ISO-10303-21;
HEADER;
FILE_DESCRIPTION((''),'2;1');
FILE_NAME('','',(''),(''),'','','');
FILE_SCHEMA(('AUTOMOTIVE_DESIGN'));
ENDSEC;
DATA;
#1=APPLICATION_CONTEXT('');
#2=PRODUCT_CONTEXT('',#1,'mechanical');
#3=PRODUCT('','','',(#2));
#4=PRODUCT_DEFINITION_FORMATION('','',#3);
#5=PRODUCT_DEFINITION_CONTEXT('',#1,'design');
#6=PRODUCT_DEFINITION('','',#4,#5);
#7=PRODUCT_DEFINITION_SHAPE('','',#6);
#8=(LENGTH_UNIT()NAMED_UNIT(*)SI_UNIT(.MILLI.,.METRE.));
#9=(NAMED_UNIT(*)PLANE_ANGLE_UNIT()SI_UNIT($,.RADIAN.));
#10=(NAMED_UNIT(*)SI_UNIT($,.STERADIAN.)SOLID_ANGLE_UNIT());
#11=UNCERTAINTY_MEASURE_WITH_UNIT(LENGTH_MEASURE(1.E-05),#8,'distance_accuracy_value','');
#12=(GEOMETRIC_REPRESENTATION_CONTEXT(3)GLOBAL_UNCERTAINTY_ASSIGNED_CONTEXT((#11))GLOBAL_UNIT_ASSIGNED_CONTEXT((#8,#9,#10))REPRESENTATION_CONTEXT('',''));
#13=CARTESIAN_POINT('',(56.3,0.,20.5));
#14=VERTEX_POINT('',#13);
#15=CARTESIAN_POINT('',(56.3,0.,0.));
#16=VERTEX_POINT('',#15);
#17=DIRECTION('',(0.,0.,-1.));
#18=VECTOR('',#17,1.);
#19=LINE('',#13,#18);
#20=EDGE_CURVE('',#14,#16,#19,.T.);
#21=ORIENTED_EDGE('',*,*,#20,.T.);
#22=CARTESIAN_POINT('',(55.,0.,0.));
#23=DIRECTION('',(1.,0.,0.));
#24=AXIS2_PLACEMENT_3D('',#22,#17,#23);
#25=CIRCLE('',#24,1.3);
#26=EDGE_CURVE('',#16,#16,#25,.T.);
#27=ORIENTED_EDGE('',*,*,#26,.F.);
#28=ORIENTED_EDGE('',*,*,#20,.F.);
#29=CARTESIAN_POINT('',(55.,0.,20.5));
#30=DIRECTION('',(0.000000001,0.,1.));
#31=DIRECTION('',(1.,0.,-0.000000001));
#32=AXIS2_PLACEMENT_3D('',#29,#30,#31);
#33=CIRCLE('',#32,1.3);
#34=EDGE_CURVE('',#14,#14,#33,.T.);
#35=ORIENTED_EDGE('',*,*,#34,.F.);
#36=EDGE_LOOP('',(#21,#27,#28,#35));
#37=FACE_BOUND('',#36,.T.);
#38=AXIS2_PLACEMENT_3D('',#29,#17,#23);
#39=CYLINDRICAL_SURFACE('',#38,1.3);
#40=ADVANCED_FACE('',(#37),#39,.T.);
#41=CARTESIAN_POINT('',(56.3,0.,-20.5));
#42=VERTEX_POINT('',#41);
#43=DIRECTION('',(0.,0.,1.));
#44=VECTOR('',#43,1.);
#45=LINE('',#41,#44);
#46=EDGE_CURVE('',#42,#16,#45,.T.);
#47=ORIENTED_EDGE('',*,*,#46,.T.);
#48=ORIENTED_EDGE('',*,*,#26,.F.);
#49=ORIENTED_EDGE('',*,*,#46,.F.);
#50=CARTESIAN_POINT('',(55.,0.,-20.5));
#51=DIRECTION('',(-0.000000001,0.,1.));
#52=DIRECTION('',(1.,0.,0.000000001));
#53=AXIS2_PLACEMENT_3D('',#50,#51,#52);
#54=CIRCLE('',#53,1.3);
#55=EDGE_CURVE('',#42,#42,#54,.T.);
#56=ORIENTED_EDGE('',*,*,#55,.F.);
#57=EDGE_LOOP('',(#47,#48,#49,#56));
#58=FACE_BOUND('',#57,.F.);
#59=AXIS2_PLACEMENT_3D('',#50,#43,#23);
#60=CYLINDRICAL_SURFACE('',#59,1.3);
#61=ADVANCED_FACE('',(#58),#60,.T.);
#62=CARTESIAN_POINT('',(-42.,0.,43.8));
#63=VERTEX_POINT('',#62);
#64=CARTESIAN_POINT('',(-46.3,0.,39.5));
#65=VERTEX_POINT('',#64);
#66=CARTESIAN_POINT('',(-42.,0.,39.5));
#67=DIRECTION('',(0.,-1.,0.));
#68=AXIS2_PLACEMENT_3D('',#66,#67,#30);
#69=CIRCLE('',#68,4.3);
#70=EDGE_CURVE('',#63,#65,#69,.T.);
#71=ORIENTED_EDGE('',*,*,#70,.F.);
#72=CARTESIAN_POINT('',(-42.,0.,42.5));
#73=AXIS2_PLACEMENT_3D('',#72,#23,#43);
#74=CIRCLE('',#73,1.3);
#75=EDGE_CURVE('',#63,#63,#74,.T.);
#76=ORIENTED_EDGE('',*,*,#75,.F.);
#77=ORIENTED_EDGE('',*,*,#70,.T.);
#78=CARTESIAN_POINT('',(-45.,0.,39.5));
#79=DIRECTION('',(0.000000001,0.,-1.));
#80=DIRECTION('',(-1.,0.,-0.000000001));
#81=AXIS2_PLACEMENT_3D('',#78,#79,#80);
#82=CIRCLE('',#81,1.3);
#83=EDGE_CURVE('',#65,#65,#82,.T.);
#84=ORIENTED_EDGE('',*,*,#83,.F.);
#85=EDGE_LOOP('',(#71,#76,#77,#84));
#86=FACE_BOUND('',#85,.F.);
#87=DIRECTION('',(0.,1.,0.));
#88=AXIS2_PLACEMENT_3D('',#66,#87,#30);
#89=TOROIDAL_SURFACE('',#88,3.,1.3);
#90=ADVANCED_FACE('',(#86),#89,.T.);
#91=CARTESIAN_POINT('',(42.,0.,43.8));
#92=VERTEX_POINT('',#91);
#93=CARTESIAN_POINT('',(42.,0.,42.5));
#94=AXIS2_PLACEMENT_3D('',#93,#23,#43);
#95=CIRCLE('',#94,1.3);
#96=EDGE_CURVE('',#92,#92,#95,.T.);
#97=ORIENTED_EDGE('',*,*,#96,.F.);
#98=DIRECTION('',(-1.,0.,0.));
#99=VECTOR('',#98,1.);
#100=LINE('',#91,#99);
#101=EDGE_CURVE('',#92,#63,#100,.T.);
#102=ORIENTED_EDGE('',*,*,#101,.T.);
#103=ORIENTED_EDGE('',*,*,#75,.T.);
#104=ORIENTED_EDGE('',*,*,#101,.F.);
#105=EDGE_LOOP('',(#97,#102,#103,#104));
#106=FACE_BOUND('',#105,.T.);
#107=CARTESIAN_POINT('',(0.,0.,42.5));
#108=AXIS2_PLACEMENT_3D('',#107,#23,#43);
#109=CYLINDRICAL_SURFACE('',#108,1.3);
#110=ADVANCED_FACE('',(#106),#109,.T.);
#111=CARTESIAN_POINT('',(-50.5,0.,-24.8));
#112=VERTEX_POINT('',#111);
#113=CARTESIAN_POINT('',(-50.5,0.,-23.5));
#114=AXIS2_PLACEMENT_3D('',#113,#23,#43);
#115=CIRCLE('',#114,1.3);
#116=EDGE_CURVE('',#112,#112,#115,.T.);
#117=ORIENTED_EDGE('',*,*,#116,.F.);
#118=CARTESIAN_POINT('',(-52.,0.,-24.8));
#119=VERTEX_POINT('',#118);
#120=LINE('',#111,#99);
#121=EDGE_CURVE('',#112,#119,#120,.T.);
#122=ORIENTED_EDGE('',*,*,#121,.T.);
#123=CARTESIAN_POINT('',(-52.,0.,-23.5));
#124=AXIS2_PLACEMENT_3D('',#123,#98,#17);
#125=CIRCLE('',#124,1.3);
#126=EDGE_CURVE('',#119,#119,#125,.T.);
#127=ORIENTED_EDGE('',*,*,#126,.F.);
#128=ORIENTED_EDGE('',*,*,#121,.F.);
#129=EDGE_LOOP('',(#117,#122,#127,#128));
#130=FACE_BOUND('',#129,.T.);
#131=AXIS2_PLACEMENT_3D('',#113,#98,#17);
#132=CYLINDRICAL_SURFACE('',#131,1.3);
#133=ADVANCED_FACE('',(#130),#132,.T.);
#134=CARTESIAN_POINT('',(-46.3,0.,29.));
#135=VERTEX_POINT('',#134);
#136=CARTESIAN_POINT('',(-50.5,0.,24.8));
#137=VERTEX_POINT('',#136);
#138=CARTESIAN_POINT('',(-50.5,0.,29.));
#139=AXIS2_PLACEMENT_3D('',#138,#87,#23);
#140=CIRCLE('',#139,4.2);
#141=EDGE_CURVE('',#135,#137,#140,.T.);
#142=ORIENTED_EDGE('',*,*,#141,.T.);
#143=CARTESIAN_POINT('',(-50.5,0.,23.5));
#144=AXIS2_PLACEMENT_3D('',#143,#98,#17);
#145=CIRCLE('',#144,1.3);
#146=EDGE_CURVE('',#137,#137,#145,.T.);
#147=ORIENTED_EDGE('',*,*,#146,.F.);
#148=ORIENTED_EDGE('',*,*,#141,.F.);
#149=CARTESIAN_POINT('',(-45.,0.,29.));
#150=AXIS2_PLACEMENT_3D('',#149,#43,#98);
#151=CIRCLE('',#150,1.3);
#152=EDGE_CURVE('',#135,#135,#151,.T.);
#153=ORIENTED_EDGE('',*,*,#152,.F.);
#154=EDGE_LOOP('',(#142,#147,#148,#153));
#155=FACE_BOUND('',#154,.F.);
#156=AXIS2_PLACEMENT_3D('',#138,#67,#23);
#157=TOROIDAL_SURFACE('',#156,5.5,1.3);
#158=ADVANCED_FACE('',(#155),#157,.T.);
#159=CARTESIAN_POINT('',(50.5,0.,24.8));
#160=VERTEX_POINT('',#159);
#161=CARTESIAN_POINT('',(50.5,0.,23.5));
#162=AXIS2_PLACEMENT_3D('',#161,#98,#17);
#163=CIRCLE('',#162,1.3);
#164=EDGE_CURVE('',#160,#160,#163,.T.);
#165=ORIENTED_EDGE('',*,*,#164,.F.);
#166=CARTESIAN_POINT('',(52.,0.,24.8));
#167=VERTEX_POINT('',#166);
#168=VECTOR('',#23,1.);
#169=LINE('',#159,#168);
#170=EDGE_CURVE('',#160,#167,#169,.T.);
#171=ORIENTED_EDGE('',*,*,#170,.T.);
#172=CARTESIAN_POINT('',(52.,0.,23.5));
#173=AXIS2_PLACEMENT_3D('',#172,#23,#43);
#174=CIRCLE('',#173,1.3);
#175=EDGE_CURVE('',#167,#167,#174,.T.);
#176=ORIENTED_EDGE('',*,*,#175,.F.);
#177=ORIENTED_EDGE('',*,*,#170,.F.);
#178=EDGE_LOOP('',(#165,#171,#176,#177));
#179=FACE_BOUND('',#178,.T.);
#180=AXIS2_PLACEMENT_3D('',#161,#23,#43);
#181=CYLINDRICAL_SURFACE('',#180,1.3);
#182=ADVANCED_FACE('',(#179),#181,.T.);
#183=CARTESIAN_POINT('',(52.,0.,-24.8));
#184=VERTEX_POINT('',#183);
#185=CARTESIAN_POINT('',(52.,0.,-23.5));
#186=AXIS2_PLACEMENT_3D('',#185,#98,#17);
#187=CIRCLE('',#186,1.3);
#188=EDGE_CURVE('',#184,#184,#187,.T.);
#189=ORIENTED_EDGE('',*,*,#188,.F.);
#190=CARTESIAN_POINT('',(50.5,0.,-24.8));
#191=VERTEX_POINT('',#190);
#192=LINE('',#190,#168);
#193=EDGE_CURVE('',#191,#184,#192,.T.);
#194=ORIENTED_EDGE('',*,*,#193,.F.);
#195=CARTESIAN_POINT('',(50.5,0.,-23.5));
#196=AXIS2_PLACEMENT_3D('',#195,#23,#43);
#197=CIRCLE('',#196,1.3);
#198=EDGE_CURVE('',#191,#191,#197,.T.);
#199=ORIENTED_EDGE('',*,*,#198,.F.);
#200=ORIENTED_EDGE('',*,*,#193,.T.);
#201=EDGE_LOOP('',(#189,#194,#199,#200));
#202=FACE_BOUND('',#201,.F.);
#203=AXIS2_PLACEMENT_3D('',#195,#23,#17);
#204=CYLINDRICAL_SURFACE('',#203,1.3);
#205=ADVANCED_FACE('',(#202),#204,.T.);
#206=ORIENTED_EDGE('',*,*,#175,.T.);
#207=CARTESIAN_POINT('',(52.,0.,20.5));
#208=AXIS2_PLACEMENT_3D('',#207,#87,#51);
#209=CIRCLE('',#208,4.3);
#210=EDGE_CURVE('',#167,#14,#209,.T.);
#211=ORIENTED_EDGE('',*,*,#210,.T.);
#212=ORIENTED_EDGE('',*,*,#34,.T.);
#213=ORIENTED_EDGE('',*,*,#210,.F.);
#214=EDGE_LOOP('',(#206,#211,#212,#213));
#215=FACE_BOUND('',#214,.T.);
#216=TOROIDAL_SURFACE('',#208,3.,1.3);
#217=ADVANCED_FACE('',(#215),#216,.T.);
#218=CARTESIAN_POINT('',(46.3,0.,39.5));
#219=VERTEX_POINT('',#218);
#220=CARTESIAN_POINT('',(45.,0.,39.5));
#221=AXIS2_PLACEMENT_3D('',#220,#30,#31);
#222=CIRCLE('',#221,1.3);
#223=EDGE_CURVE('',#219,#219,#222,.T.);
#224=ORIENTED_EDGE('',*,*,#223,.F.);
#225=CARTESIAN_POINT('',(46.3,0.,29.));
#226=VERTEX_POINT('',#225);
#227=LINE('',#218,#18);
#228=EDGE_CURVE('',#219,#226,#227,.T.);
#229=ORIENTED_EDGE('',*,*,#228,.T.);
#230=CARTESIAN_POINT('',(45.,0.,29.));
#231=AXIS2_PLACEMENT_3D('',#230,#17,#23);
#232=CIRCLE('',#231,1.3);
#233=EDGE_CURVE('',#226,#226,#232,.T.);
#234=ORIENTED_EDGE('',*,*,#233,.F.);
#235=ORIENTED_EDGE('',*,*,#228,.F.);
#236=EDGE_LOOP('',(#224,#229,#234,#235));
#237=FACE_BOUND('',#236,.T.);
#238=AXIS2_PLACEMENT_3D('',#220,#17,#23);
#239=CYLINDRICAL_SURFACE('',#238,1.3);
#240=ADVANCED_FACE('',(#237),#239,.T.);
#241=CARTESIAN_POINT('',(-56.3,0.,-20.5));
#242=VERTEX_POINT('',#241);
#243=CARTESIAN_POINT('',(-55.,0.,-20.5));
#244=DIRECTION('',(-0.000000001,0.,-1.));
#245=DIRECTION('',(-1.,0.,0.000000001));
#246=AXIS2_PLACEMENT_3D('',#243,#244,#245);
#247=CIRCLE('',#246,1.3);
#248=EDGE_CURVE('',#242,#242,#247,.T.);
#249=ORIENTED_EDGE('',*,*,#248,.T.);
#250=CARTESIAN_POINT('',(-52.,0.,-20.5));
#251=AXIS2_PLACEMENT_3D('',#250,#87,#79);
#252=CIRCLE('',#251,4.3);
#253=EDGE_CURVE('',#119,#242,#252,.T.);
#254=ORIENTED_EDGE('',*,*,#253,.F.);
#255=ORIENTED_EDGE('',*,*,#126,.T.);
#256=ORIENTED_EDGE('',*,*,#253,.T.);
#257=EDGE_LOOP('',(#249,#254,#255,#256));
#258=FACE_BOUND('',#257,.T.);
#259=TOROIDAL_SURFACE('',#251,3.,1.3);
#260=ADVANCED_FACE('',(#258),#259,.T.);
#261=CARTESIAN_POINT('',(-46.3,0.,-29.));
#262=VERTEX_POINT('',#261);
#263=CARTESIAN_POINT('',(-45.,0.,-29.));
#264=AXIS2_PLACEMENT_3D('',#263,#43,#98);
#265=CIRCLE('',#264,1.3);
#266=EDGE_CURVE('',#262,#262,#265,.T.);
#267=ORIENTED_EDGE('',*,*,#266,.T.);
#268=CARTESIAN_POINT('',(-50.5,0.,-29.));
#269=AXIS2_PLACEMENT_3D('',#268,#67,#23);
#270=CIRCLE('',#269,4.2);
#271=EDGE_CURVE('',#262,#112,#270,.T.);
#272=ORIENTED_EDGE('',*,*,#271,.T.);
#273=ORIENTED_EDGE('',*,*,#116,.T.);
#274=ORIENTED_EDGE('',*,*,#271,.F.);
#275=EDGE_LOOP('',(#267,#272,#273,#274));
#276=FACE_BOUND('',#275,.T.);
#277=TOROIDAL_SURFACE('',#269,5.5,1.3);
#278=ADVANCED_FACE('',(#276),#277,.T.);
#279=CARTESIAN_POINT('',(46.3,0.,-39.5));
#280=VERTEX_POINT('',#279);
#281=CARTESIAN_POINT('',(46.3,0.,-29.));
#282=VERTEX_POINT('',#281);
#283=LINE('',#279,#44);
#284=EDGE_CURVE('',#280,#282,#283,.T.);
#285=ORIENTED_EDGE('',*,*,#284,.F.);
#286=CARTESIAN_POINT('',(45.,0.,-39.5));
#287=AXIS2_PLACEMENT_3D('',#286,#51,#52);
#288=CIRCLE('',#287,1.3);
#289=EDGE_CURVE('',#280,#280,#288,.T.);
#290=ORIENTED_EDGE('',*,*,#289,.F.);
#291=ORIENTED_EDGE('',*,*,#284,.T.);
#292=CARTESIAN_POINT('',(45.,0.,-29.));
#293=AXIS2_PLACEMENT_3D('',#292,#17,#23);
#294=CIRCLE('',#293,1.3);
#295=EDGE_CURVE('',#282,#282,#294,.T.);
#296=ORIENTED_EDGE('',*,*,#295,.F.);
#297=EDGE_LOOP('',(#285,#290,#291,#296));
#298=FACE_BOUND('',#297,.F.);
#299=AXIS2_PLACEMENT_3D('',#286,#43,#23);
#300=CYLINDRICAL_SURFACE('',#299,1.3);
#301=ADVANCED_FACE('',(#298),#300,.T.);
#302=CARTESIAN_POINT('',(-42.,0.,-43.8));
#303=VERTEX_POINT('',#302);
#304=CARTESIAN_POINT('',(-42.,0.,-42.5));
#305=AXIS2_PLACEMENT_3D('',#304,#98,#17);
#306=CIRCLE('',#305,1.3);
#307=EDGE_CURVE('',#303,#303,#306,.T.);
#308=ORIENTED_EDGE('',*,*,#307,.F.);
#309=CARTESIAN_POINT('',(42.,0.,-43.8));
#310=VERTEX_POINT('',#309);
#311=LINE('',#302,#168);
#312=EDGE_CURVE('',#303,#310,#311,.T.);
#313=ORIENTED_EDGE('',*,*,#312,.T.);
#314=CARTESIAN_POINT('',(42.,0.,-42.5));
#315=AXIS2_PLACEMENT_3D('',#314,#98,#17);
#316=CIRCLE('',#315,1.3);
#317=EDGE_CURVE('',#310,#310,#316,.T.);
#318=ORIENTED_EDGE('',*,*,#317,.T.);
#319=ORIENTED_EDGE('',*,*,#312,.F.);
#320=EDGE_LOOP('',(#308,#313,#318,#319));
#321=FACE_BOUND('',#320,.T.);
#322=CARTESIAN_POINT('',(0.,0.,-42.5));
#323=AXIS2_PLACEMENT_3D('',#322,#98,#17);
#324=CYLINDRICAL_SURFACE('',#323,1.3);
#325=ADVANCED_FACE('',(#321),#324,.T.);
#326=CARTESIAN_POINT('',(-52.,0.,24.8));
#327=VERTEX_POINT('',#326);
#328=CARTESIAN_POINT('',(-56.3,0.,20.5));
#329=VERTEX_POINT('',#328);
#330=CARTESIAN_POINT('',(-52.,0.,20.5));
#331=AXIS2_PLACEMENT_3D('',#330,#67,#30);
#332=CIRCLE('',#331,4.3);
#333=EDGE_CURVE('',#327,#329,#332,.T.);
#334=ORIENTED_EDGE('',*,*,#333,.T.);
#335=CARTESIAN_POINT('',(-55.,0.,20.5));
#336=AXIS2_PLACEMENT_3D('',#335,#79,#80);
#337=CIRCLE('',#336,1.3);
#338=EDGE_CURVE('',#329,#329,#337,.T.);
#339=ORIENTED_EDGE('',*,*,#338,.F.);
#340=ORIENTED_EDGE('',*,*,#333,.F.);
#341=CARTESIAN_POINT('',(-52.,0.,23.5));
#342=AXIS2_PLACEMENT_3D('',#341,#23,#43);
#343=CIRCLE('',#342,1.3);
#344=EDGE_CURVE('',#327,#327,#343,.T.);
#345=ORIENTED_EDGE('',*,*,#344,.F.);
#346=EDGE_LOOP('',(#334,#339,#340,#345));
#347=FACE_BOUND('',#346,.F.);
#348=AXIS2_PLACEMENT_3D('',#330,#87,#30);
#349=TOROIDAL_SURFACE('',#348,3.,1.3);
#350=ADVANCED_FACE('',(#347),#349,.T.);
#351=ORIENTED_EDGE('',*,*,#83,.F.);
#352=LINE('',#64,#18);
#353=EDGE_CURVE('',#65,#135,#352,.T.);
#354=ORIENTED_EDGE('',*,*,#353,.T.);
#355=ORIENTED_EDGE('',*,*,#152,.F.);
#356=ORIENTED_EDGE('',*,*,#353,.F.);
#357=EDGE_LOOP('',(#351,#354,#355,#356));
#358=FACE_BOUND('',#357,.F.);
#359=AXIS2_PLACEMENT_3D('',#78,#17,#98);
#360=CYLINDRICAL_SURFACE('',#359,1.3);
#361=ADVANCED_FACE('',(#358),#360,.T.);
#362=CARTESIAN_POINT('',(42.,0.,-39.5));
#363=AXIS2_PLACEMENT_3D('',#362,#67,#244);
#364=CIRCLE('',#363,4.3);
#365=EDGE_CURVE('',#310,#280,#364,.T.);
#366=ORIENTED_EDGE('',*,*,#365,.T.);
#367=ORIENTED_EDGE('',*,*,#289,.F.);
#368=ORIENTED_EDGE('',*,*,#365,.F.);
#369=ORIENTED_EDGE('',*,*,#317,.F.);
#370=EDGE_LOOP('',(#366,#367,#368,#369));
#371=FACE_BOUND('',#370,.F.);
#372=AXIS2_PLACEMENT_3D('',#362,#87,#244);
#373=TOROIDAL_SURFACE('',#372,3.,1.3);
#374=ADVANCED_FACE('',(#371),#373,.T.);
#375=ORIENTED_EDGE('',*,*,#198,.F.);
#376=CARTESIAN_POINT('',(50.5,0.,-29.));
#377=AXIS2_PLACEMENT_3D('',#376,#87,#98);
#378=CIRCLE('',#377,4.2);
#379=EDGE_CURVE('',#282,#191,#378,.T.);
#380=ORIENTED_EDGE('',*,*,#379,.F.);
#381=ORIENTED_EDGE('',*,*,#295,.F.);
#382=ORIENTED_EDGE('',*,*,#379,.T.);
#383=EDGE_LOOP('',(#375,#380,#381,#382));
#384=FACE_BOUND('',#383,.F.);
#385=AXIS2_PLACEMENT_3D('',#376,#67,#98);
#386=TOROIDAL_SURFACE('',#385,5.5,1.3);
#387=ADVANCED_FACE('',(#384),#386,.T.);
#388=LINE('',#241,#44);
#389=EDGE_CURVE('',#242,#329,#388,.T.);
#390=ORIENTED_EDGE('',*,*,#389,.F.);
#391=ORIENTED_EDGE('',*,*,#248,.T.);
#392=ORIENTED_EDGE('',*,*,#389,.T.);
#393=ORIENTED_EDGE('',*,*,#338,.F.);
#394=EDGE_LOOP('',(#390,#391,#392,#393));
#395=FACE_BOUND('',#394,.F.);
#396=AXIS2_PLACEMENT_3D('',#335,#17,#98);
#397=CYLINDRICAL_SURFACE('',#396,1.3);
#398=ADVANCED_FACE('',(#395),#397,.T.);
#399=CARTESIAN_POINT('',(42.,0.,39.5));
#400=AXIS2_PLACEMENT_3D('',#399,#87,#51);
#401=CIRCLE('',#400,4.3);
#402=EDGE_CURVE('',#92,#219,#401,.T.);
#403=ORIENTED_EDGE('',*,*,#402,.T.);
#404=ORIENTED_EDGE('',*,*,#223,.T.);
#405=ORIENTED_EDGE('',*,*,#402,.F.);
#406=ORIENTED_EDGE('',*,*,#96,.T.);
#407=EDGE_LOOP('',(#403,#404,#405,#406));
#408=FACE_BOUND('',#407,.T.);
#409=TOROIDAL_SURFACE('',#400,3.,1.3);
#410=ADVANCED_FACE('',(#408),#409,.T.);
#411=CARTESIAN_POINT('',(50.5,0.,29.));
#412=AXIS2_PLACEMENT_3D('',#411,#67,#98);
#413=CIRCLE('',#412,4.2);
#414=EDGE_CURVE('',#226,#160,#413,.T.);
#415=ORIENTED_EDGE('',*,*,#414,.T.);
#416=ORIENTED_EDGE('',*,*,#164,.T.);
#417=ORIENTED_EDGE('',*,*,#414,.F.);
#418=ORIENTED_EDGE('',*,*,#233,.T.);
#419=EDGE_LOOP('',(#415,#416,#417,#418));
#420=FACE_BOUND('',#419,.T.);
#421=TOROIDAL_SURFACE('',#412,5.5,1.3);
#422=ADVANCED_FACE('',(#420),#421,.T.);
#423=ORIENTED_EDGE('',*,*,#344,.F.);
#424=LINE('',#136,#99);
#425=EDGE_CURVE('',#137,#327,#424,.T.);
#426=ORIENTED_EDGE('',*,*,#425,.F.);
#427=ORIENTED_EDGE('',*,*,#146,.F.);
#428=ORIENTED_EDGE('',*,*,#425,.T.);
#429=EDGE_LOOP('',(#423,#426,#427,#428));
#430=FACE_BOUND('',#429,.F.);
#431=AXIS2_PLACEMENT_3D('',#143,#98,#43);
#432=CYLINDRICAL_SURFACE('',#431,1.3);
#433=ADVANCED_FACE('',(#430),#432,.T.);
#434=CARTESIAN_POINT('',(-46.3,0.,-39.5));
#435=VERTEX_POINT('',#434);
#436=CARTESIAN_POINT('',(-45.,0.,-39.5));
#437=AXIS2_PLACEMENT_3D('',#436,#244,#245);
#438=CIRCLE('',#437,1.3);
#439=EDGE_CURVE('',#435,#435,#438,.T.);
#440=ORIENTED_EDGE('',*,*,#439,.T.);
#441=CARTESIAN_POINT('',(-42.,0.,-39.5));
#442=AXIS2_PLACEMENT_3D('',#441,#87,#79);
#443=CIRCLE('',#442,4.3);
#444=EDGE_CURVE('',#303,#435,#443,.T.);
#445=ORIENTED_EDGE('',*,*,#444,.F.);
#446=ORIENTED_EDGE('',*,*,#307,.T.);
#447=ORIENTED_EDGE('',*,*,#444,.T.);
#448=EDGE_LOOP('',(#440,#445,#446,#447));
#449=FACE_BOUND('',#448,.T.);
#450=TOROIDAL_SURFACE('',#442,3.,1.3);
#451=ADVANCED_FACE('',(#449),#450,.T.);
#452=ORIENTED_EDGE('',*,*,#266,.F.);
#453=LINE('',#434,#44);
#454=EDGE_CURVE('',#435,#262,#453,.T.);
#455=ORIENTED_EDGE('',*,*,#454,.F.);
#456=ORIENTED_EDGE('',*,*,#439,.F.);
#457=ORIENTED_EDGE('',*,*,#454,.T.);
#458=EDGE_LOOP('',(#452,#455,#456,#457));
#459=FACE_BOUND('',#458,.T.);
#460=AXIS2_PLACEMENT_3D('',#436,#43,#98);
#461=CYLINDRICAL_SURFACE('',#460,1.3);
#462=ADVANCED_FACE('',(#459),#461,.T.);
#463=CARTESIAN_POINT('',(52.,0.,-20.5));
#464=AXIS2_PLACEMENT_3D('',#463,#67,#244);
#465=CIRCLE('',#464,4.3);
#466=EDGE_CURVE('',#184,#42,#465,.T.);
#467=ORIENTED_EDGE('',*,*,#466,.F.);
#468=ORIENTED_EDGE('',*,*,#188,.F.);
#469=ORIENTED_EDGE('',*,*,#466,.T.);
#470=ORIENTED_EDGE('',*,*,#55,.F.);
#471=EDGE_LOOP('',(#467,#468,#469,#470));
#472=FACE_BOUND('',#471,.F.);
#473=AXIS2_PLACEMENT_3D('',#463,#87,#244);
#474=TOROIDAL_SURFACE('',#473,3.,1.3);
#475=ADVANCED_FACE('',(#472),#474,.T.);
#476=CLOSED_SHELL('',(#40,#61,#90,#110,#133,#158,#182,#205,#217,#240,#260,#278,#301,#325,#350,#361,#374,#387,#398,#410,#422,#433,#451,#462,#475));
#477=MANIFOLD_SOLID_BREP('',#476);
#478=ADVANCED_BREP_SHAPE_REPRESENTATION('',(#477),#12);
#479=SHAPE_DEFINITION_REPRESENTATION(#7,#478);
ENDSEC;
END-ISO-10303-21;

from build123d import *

# Parameters (mm, degrees)
QUARTERBELTPROFILE_R  = 1.3
QO_VM_COPY_1_SKETCH_R = 1.3


with BuildPart() as part:
    # Quarter O-Ring: sweep along a path in BeltPathS
    with BuildLine(Plane(origin=(0, 0, 0), x_dir=(1, 0, 0), z_dir=(0, 1, 0))) as quarter_o_ring_path:
        Line((0, 42.5), (-42, 42.5))
        ThreePointArc((-42, 42.5), (-44.121320344, 41.621320344), (-45, 39.5))
        Line((-45, 39.5), (-45, 29))
        ThreePointArc((-45, 29), (-46.610912703, 25.110912703), (-50.5, 23.5))
        Line((-50.5, 23.5), (-52, 23.5))
        ThreePointArc((-52, 23.5), (-54.121320344, 22.621320344), (-55, 20.5))
        Line((-55, 20.5), (-55, 0))
    # QuarterBeltProfile → Quarter O-Ring (sweep)
    with BuildSketch(Plane(origin=(0, 0, 0), x_dir=(-1, 0, 0), z_dir=(0, 0, -1))):
        with Locations((55, 0)):
            Circle(QUARTERBELTPROFILE_R)
    quarter_o_ring = sweep(path=quarter_o_ring_path.line)

    # QO HM: Quarter O-Ring across plane
    add(quarter_o_ring.mirror(Plane(origin=(0, 0, 0), x_dir=(0, 0, 1), z_dir=(1, 0, 0))))

    # QO VM: Quarter O-Ring across plane
    add(quarter_o_ring.mirror(Plane.XY))

    # QO VM copy 1: sweep along a path in QO VM copy 1 path
    with BuildLine(Plane(origin=(0, 0, 0), x_dir=(-1, 0, 0), z_dir=(0, 1, 0))) as qo_vm_copy_1_path:
        Line((0, 42.5), (-42, 42.5))
        ThreePointArc((-42, 42.5), (-44.121320344, 41.621320344), (-45, 39.5))
        Line((-45, 39.5), (-45, 29))
        ThreePointArc((-45, 29), (-46.610912703, 25.110912703), (-50.5, 23.5))
        Line((-50.5, 23.5), (-52, 23.5))
        ThreePointArc((-52, 23.5), (-54.121320344, 22.621320344), (-55, 20.5))
        Line((-55, 20.5), (-55, 0))
    # QO VM copy 1 sketch → QO VM copy 1 (sweep)
    with BuildSketch(Plane.XY):
        with Locations((55, 0)):
            Circle(QO_VM_COPY_1_SKETCH_R)
    sweep(path=qo_vm_copy_1_path.line)


solid = part.part
